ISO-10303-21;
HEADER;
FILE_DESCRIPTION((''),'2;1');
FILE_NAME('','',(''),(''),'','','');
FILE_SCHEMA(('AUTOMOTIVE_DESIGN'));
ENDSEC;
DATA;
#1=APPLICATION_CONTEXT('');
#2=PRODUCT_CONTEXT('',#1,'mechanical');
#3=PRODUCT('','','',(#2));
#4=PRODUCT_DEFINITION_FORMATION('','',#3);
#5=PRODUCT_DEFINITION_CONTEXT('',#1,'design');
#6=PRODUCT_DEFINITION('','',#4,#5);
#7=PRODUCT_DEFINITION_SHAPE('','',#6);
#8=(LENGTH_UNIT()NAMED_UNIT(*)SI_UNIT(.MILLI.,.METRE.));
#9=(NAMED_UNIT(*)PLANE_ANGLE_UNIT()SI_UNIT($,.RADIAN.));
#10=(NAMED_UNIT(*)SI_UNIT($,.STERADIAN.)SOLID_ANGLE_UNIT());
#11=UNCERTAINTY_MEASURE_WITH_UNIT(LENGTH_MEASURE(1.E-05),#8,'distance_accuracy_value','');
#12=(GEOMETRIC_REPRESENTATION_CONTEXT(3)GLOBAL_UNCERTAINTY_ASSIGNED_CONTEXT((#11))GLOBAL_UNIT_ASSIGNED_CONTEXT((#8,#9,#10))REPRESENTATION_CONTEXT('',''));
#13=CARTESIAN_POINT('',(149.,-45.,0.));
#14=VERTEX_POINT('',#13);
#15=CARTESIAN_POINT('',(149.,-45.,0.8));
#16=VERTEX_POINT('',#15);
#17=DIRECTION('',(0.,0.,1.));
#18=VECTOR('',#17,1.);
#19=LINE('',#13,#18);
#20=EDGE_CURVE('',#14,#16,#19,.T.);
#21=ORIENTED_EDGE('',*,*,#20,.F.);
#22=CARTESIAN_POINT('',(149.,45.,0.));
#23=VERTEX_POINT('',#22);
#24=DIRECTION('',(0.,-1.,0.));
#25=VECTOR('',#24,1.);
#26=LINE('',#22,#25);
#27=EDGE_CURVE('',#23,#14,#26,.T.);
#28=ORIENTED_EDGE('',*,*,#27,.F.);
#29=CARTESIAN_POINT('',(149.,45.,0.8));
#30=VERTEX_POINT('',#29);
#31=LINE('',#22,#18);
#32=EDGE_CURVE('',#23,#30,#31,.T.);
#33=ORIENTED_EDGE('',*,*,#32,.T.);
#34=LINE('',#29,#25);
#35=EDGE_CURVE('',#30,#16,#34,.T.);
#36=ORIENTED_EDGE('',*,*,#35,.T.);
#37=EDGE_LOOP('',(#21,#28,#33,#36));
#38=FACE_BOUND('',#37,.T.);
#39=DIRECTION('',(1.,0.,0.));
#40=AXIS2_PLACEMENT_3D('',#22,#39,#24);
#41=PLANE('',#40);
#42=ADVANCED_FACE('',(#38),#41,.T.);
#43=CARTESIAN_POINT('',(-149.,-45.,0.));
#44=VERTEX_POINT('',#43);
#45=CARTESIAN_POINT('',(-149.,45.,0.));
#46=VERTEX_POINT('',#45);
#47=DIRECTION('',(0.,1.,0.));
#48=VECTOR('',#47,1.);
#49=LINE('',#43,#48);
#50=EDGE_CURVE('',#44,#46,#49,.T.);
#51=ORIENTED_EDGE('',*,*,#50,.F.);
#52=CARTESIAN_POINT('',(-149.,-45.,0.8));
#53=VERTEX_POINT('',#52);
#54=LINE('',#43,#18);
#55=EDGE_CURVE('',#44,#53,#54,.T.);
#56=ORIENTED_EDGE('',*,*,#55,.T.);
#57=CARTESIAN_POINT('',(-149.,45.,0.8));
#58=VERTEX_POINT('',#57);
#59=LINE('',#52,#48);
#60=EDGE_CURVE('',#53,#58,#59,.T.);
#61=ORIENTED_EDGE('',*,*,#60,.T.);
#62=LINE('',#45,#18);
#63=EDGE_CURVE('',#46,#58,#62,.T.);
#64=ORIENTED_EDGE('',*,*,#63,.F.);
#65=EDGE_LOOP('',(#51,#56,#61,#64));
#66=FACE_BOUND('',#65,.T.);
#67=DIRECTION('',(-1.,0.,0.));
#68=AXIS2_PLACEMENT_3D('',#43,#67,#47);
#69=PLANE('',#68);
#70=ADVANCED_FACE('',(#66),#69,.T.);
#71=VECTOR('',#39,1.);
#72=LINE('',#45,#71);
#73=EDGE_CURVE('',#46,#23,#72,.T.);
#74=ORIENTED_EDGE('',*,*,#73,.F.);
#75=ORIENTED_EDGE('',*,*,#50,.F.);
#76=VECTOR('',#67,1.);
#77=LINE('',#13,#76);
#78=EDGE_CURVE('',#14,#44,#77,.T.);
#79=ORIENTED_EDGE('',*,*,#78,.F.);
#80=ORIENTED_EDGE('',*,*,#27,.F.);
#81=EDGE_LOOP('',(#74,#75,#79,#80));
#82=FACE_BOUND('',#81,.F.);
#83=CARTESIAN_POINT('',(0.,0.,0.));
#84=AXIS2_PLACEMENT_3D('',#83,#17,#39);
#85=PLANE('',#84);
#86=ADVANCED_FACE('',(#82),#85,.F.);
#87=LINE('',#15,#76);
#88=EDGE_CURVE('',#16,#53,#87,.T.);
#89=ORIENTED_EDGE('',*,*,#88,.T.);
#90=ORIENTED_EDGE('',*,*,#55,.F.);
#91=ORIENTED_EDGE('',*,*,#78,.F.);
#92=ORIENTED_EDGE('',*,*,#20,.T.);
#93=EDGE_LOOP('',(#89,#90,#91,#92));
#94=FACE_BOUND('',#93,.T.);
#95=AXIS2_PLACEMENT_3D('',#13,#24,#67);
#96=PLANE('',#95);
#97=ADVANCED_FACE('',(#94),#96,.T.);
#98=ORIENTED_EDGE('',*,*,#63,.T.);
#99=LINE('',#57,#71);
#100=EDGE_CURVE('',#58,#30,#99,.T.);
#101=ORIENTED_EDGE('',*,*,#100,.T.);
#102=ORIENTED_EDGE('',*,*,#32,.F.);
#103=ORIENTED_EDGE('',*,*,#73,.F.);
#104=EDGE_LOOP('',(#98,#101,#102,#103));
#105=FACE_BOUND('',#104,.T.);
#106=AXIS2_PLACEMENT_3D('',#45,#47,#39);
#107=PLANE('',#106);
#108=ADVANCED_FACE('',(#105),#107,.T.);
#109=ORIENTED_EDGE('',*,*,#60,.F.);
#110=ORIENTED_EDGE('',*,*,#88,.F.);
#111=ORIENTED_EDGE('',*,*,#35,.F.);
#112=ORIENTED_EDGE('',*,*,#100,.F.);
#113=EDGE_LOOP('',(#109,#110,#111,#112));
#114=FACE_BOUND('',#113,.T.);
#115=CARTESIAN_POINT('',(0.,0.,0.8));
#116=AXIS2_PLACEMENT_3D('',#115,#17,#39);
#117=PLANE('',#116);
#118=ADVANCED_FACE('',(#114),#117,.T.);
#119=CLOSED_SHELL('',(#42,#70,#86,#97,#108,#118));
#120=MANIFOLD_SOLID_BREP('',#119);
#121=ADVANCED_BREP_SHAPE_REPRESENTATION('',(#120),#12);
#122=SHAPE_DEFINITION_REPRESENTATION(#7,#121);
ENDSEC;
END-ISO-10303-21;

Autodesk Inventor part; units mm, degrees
ref_plane "YZ Plane" through (0, 0, 0) normal (1, 0, 0) x (0, 1, 0)
ref_plane "XZ Plane" through (0, 0, 0) normal (0, 1, 0) x (-1, 0, 0)
ref_plane "XY Plane" through (0, 0, 0) normal (0, 0, 1) x (1, 0, 0)
sketch "Skizze1" plane through (0, 0, 0) normal (0, 0, 1) x (1, 0, 0)
  line L0 (-149, 45) -> (149, 45)
  line L1 (149, 45) -> (149, -45)
  line L2 (149, -45) -> (-149, -45)
  line L3 (-149, -45) -> (-149, 45)
  point P0 (0, 0)
  dimension "d0" = 298
  dimension "d1" = 90
  dimension "d2" = 149
  dimension "d3" = 45
extrude "Extrusion1" add sketch "Skizze1" along normal blind 0.8
equation "\"d2\" = 0.5 * d0"
equation "\"d3\" = 0.5 * d1"
properties part number "Lochblech"
